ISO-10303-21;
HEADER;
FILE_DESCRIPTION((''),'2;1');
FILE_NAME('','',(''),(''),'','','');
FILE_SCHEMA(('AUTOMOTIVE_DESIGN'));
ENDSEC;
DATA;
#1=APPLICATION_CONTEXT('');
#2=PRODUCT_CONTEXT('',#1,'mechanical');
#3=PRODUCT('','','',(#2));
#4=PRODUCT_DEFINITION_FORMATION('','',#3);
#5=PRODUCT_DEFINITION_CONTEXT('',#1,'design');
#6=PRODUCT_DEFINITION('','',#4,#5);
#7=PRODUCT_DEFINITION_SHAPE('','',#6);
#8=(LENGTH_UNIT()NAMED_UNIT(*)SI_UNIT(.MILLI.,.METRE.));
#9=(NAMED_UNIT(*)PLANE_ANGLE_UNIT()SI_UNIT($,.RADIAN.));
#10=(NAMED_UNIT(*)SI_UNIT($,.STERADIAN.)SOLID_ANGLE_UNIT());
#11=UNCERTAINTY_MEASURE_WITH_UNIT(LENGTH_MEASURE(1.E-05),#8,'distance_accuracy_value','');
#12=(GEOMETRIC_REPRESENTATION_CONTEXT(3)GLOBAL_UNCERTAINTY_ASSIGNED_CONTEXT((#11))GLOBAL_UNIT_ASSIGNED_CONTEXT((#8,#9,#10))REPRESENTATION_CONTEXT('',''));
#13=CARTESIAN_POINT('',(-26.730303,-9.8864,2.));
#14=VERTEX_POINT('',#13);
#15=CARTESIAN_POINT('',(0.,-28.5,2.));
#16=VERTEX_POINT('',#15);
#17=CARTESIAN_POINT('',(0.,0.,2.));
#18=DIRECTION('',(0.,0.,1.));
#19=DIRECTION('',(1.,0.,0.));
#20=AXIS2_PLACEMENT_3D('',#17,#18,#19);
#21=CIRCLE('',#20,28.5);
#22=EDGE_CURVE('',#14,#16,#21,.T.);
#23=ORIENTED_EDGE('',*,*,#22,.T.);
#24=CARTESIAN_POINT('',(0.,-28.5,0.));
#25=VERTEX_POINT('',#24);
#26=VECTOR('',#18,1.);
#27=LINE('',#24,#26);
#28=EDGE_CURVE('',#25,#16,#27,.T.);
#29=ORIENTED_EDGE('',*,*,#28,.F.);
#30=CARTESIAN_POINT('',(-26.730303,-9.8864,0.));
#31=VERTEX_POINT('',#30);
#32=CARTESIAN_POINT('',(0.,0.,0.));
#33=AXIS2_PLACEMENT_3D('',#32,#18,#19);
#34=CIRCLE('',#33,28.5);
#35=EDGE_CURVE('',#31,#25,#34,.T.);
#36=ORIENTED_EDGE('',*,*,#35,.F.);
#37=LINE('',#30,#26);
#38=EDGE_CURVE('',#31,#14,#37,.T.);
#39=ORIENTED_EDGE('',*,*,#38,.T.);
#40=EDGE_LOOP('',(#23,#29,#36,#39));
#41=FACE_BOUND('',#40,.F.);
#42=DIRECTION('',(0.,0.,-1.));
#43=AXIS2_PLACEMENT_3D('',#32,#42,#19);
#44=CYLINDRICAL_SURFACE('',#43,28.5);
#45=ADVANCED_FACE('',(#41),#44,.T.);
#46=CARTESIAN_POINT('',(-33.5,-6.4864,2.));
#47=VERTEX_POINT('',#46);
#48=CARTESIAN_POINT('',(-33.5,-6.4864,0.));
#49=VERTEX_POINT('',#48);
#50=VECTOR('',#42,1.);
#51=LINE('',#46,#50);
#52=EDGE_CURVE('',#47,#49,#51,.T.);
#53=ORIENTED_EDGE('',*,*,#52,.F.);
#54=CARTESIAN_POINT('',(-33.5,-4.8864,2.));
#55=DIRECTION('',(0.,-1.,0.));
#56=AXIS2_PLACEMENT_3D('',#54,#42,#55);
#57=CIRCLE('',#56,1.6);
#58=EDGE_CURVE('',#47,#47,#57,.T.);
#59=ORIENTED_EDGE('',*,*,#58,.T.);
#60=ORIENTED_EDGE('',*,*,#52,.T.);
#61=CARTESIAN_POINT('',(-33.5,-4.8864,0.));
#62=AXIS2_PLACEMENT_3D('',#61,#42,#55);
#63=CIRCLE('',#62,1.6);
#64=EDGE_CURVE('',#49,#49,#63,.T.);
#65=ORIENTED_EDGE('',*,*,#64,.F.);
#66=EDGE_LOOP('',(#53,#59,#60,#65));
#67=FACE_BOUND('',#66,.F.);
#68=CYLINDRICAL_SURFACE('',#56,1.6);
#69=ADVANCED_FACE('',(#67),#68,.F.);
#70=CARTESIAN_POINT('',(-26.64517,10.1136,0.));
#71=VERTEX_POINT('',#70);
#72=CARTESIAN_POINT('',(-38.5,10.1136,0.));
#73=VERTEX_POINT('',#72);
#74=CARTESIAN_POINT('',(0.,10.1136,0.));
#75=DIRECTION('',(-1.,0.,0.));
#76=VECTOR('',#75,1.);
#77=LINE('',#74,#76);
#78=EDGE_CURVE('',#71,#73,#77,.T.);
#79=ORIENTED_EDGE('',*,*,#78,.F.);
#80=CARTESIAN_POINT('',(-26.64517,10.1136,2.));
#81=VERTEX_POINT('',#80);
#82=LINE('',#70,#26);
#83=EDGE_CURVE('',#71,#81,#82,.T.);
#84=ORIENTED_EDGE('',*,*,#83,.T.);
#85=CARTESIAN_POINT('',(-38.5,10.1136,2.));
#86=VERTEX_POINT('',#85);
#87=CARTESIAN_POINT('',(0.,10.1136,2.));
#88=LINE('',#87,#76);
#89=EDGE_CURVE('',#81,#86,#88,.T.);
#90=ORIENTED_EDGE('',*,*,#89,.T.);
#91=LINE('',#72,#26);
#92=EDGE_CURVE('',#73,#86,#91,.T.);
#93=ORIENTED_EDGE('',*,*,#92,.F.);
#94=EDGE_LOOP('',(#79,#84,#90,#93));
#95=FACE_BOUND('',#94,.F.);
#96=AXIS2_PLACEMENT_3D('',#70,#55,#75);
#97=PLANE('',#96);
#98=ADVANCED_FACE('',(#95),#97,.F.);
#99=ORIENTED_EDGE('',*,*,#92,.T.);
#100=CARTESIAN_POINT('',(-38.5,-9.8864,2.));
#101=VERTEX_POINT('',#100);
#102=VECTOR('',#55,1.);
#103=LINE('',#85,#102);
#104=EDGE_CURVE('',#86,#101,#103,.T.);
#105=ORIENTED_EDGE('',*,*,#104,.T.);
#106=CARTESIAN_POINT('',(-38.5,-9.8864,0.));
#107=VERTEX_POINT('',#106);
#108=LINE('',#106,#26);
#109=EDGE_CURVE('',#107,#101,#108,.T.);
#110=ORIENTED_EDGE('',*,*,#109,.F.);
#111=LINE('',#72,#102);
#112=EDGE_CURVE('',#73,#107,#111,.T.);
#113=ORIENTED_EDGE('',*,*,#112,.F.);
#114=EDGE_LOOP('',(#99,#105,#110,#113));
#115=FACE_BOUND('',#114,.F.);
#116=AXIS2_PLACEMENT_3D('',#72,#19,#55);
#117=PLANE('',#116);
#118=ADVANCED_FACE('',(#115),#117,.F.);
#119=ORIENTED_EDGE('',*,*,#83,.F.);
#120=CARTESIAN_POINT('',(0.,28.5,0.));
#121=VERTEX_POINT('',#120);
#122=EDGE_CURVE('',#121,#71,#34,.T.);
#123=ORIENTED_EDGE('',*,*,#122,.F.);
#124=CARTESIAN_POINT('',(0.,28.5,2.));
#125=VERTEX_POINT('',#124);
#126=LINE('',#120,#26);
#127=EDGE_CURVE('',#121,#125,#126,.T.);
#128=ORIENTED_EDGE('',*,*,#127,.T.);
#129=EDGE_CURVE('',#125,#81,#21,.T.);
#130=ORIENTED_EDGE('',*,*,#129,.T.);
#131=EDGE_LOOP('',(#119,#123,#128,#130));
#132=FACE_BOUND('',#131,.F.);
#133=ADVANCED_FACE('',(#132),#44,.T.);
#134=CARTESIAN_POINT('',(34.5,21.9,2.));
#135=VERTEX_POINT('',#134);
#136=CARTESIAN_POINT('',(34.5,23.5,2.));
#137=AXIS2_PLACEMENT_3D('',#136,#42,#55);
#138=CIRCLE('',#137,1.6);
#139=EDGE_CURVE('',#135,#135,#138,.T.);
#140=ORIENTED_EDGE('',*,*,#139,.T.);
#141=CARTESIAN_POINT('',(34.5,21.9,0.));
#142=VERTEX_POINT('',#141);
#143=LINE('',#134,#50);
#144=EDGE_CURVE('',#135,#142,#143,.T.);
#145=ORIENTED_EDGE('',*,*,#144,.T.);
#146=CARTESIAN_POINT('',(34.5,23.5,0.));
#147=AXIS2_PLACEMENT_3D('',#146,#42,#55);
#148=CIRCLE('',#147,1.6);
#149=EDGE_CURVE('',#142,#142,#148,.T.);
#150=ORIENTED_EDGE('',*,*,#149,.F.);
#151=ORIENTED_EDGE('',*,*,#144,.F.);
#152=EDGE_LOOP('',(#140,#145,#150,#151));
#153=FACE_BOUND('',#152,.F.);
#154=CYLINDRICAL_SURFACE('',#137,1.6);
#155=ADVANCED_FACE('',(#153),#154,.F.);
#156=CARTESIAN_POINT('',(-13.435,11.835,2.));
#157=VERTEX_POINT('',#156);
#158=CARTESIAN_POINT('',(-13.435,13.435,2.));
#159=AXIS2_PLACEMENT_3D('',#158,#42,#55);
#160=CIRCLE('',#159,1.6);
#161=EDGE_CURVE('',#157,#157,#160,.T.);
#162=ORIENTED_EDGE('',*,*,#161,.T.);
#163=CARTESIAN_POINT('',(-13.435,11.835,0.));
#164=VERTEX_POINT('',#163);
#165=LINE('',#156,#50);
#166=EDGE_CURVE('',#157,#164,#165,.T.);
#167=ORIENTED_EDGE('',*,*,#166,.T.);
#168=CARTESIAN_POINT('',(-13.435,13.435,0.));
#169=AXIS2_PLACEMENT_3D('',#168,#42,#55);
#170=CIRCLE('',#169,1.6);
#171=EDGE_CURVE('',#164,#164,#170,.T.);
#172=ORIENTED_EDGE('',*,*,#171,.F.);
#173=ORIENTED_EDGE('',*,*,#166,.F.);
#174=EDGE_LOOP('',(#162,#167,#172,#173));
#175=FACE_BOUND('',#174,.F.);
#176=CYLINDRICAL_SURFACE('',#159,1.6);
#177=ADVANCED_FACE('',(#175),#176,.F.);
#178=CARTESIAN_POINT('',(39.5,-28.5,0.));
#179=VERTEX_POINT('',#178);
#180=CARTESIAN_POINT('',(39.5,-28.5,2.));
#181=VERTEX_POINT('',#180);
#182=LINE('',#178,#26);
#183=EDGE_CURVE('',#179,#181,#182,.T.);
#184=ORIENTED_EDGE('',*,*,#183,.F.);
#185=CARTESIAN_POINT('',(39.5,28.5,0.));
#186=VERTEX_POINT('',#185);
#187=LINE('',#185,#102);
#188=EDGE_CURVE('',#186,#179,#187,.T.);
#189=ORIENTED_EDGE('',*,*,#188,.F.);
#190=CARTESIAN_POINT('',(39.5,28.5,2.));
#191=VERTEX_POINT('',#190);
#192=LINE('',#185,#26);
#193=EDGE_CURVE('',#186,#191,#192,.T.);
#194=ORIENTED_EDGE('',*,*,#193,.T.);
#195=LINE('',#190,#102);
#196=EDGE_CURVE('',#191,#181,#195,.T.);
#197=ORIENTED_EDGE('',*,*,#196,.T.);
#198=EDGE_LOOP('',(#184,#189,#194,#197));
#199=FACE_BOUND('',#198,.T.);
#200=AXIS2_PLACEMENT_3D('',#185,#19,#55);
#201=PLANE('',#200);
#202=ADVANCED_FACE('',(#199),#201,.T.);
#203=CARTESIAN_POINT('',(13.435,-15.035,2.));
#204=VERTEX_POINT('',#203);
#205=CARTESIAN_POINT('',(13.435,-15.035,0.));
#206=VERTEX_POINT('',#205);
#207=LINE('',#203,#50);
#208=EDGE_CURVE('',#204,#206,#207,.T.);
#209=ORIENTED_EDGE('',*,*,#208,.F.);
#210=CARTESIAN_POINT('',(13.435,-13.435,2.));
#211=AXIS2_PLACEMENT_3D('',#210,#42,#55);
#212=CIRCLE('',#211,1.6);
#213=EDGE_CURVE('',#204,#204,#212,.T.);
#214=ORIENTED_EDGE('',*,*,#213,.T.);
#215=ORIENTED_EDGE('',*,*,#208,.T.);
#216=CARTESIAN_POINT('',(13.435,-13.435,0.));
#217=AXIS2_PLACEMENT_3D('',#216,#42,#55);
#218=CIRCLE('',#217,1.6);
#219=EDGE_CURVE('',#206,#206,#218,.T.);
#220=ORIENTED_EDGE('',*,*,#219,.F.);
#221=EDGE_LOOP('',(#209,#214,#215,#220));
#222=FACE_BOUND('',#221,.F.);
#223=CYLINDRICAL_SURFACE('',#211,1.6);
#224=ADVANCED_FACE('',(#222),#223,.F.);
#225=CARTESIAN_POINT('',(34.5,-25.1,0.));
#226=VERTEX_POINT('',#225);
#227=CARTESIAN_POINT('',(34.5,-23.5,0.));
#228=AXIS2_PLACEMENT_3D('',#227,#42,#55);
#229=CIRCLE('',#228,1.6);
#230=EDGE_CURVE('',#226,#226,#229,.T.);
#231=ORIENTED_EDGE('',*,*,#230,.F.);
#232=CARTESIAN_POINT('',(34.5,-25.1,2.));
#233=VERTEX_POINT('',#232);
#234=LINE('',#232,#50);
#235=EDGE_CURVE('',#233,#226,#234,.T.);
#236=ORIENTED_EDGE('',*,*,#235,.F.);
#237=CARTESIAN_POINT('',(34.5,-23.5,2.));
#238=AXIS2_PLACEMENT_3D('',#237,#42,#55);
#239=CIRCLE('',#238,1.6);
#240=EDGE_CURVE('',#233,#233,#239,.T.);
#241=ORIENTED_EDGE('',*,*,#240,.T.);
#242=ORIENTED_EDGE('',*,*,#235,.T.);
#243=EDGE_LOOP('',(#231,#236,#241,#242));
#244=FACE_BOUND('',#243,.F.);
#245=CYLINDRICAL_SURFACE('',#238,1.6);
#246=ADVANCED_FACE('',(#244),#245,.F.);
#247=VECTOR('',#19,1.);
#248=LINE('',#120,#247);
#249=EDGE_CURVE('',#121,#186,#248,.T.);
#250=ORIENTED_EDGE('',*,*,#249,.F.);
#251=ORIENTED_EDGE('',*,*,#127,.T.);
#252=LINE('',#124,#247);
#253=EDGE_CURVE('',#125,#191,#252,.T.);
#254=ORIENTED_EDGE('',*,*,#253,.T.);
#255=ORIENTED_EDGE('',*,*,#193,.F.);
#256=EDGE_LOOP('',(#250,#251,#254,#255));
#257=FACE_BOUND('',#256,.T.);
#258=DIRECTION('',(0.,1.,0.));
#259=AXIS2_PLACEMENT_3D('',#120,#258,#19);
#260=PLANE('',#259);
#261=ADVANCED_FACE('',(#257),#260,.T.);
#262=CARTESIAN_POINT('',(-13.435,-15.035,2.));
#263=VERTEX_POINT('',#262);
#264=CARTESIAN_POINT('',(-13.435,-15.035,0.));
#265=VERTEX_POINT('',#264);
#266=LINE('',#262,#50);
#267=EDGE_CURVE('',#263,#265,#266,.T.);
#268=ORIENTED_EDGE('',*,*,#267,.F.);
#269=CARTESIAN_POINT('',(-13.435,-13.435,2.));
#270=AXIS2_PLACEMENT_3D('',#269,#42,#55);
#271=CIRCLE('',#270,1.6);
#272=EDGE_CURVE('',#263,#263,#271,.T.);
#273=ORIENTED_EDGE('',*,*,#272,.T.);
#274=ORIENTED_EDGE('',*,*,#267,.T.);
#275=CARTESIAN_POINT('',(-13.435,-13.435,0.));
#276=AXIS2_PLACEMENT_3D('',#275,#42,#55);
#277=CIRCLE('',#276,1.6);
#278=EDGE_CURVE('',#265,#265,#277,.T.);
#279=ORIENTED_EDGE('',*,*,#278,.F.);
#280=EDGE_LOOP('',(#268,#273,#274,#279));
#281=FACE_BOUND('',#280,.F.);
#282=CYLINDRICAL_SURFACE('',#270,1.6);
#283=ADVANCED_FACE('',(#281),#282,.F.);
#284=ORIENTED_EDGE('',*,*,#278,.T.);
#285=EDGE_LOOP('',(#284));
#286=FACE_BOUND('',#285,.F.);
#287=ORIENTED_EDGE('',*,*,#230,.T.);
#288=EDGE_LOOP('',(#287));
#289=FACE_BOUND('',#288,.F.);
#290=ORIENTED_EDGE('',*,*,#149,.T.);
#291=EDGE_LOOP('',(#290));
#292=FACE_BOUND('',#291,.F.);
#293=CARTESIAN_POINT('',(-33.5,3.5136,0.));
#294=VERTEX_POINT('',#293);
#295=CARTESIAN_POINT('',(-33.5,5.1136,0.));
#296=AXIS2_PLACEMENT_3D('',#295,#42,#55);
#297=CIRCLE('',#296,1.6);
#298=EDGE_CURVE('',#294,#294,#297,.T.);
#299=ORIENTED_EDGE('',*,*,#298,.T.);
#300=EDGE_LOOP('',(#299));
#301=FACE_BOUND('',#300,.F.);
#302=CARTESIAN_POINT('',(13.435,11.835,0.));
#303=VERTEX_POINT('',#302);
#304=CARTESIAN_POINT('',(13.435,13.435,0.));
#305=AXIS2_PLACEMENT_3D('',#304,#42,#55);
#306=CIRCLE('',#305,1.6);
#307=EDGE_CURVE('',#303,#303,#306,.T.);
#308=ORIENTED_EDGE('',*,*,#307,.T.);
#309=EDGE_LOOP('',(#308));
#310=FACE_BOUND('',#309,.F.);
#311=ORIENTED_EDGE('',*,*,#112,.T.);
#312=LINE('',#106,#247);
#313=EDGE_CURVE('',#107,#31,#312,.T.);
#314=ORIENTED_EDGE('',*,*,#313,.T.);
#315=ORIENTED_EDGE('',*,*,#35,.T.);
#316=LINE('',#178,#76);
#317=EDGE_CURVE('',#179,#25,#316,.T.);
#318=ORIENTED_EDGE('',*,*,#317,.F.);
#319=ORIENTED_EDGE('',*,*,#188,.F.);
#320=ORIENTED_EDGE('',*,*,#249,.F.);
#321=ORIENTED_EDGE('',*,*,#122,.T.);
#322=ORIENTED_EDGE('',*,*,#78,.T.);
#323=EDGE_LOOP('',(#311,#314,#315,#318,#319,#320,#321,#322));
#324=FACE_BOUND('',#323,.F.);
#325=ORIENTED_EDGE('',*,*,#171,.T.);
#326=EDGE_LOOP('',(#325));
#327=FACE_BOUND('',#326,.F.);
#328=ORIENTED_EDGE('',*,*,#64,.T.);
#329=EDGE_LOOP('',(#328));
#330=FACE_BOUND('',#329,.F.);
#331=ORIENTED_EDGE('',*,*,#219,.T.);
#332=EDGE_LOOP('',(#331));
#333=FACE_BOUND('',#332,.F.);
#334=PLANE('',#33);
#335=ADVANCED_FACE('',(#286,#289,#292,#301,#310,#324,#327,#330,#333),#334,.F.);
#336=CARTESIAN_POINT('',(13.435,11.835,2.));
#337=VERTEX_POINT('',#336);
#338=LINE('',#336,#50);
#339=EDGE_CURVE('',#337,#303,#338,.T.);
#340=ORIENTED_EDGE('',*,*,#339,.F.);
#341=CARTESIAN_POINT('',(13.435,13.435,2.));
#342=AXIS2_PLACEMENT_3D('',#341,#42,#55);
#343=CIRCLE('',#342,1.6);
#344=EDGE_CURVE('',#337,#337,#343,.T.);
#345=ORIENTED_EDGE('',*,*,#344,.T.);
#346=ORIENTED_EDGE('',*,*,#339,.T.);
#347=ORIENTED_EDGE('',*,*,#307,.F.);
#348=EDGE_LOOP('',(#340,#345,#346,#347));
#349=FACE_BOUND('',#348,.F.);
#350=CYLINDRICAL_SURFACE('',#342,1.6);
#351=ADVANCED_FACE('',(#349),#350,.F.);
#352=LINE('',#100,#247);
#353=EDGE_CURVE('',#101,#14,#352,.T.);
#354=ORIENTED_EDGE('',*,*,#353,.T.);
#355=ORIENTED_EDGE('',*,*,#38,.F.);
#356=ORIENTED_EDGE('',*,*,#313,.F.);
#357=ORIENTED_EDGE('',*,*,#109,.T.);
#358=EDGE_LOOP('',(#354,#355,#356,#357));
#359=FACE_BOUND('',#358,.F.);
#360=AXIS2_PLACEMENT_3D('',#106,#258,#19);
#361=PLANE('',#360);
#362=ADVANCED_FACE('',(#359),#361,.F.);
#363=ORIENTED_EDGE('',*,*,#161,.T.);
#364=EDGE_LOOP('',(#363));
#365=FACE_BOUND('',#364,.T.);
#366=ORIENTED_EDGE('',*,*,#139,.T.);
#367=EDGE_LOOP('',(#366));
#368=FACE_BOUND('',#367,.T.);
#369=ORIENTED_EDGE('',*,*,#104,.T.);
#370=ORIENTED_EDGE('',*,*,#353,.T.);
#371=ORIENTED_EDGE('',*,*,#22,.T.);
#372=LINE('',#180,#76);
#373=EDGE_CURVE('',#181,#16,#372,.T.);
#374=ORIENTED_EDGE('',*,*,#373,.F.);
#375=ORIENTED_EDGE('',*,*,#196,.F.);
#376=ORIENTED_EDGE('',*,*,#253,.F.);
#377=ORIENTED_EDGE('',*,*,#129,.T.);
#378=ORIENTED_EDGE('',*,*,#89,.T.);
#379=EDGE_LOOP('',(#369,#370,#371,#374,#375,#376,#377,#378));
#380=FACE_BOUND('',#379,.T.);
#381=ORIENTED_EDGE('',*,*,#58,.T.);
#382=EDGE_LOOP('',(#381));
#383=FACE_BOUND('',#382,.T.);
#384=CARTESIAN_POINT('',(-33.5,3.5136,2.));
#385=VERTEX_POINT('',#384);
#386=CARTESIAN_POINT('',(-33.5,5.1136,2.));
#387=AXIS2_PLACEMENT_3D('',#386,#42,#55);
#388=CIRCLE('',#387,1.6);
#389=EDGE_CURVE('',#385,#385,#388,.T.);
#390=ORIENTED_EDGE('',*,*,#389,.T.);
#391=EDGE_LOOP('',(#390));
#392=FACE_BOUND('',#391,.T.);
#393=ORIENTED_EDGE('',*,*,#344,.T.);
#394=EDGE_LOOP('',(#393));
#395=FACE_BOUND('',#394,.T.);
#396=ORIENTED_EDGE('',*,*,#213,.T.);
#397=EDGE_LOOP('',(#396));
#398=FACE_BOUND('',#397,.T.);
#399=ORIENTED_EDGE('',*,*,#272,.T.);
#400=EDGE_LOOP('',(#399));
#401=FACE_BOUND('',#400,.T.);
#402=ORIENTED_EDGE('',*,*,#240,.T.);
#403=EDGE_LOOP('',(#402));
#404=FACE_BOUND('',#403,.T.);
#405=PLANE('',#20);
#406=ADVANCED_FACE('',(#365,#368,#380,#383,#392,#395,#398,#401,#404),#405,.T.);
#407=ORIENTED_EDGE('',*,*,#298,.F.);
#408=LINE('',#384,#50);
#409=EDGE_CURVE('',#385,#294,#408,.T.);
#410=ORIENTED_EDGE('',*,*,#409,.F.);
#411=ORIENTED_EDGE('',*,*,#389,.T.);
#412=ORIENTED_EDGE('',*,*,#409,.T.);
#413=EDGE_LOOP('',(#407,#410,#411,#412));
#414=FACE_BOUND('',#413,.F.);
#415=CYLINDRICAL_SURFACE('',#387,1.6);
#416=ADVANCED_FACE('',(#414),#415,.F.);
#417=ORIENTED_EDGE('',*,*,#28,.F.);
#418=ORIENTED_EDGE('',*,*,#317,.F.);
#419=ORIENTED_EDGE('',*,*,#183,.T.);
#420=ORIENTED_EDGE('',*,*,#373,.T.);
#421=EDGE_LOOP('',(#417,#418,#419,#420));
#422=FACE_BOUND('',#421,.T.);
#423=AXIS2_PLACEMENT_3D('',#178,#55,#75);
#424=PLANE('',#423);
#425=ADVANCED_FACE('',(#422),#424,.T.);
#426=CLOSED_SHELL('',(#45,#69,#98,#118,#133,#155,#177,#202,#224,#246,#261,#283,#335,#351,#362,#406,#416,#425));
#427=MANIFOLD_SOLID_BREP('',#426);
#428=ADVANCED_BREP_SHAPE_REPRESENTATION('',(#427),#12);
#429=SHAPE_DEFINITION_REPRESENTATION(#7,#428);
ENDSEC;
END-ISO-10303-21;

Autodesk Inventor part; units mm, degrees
ref_plane "YZ Plane" through (0, 0, 0) normal (1, 0, 0) x (0, 1, 0)
ref_plane "XZ Plane" through (0, 0, 0) normal (0, 1, 0) x (-1, 0, 0)
ref_plane "XY Plane" through (0, 0, 0) normal (0, 0, 1) x (1, 0, 0)
sketch "スケッチ1" plane through (0, 0, 0) normal (0, 0, 1) x (1, 0, 0)
  circle A0 centre (0, 0) radius 28.5
  line L0 (0, 28.5) -> (39.5, 28.5)
  line L1 (39.5, 28.5) -> (39.5, -28.5)
  line L2 (39.5, -28.5) -> (0, -28.5)
  line L3 (0, -28.5) -> (0, 28.5)
  line L4 (0, 10.1136) -> (-38.5, 10.1136)
  line L5 (-38.5, 10.1136) -> (-38.5, -9.8864)
  line L6 (-38.5, -9.8864) -> (0, -9.8864)
  line L7 (0, -9.8864) -> (0, 10.1136)
  point P0 (28.5, 0)
  point P1 (-26.7303, -9.8864)
  point P2 (-26.6452, 10.1136)
  dimension "d0" = 57
  dimension "d19" = 39.5
  dimension "d38" = 38.5
  dimension "d39" = 20
extrude "押し出し1" add sketch "スケッチ1" along normal blind 2
sketch "スケッチ3" plane through (0, 0, 2) normal (0, 0, 1) x (1, 0, 0)
  circle A0 centre (0, 0) radius 19
  line L0 (0, 0) -> (13.435, -13.435)
  line L1 (0, 0) -> (19, 0) construction
  line L2 (39.5, 28.5) -> (0, 28.5) projected
  line L3 (34.5, 28.5) -> (34.5, -28.5)
  line L4 (0, -28.5) -> (39.5, -28.5) projected
  line L5 (39.5, -28.5) -> (39.5, 28.5) projected
  line L6 (-26.6452, 10.1136) -> (-38.5, 10.1136) projected
  line L7 (-33.5, 10.1136) -> (-33.5, -9.8864)
  line L8 (-38.5, -9.8864) -> (-26.7303, -9.8864) projected
  line L9 (-38.5, 10.1136) -> (-38.5, -9.8864) projected
  point P0 (13.435, 13.435)
  point P1 (-13.435, 13.435)
  point P2 (-13.435, -13.435)
  point P3 (34.5, 23.5)
  point P4 (34.5, -23.5)
  point P5 (-33.5, 5.1136)
  point P6 (-33.5, -4.8864)
  point P7 (-32.6152, -9.8864)
  dimension "d22" = 38
  dimension "d23" = 45
  dimension "d26" = 360
  dimension "d28" = 5
  dimension "d29" = 5
  dimension "d37" = 5
  dimension "d40" = 5
  dimension "d41" = 5
  dimension "d42" = 5
hole "穴2" at (13.435, -13.435, 2) at (13.435, 13.435, 2) at (-13.435, 13.435, 2) at (-13.435, -13.435, 2) at (34.5, 23.5, 2) at (34.5, -23.5, 2) at (-33.5, 5.1136, 2) at (-33.5, -4.8864, 2) direction (0, 0, -1) diameter 3.2 end through all
properties part number "endeff_plate1" material "アルミニウム 6061"
